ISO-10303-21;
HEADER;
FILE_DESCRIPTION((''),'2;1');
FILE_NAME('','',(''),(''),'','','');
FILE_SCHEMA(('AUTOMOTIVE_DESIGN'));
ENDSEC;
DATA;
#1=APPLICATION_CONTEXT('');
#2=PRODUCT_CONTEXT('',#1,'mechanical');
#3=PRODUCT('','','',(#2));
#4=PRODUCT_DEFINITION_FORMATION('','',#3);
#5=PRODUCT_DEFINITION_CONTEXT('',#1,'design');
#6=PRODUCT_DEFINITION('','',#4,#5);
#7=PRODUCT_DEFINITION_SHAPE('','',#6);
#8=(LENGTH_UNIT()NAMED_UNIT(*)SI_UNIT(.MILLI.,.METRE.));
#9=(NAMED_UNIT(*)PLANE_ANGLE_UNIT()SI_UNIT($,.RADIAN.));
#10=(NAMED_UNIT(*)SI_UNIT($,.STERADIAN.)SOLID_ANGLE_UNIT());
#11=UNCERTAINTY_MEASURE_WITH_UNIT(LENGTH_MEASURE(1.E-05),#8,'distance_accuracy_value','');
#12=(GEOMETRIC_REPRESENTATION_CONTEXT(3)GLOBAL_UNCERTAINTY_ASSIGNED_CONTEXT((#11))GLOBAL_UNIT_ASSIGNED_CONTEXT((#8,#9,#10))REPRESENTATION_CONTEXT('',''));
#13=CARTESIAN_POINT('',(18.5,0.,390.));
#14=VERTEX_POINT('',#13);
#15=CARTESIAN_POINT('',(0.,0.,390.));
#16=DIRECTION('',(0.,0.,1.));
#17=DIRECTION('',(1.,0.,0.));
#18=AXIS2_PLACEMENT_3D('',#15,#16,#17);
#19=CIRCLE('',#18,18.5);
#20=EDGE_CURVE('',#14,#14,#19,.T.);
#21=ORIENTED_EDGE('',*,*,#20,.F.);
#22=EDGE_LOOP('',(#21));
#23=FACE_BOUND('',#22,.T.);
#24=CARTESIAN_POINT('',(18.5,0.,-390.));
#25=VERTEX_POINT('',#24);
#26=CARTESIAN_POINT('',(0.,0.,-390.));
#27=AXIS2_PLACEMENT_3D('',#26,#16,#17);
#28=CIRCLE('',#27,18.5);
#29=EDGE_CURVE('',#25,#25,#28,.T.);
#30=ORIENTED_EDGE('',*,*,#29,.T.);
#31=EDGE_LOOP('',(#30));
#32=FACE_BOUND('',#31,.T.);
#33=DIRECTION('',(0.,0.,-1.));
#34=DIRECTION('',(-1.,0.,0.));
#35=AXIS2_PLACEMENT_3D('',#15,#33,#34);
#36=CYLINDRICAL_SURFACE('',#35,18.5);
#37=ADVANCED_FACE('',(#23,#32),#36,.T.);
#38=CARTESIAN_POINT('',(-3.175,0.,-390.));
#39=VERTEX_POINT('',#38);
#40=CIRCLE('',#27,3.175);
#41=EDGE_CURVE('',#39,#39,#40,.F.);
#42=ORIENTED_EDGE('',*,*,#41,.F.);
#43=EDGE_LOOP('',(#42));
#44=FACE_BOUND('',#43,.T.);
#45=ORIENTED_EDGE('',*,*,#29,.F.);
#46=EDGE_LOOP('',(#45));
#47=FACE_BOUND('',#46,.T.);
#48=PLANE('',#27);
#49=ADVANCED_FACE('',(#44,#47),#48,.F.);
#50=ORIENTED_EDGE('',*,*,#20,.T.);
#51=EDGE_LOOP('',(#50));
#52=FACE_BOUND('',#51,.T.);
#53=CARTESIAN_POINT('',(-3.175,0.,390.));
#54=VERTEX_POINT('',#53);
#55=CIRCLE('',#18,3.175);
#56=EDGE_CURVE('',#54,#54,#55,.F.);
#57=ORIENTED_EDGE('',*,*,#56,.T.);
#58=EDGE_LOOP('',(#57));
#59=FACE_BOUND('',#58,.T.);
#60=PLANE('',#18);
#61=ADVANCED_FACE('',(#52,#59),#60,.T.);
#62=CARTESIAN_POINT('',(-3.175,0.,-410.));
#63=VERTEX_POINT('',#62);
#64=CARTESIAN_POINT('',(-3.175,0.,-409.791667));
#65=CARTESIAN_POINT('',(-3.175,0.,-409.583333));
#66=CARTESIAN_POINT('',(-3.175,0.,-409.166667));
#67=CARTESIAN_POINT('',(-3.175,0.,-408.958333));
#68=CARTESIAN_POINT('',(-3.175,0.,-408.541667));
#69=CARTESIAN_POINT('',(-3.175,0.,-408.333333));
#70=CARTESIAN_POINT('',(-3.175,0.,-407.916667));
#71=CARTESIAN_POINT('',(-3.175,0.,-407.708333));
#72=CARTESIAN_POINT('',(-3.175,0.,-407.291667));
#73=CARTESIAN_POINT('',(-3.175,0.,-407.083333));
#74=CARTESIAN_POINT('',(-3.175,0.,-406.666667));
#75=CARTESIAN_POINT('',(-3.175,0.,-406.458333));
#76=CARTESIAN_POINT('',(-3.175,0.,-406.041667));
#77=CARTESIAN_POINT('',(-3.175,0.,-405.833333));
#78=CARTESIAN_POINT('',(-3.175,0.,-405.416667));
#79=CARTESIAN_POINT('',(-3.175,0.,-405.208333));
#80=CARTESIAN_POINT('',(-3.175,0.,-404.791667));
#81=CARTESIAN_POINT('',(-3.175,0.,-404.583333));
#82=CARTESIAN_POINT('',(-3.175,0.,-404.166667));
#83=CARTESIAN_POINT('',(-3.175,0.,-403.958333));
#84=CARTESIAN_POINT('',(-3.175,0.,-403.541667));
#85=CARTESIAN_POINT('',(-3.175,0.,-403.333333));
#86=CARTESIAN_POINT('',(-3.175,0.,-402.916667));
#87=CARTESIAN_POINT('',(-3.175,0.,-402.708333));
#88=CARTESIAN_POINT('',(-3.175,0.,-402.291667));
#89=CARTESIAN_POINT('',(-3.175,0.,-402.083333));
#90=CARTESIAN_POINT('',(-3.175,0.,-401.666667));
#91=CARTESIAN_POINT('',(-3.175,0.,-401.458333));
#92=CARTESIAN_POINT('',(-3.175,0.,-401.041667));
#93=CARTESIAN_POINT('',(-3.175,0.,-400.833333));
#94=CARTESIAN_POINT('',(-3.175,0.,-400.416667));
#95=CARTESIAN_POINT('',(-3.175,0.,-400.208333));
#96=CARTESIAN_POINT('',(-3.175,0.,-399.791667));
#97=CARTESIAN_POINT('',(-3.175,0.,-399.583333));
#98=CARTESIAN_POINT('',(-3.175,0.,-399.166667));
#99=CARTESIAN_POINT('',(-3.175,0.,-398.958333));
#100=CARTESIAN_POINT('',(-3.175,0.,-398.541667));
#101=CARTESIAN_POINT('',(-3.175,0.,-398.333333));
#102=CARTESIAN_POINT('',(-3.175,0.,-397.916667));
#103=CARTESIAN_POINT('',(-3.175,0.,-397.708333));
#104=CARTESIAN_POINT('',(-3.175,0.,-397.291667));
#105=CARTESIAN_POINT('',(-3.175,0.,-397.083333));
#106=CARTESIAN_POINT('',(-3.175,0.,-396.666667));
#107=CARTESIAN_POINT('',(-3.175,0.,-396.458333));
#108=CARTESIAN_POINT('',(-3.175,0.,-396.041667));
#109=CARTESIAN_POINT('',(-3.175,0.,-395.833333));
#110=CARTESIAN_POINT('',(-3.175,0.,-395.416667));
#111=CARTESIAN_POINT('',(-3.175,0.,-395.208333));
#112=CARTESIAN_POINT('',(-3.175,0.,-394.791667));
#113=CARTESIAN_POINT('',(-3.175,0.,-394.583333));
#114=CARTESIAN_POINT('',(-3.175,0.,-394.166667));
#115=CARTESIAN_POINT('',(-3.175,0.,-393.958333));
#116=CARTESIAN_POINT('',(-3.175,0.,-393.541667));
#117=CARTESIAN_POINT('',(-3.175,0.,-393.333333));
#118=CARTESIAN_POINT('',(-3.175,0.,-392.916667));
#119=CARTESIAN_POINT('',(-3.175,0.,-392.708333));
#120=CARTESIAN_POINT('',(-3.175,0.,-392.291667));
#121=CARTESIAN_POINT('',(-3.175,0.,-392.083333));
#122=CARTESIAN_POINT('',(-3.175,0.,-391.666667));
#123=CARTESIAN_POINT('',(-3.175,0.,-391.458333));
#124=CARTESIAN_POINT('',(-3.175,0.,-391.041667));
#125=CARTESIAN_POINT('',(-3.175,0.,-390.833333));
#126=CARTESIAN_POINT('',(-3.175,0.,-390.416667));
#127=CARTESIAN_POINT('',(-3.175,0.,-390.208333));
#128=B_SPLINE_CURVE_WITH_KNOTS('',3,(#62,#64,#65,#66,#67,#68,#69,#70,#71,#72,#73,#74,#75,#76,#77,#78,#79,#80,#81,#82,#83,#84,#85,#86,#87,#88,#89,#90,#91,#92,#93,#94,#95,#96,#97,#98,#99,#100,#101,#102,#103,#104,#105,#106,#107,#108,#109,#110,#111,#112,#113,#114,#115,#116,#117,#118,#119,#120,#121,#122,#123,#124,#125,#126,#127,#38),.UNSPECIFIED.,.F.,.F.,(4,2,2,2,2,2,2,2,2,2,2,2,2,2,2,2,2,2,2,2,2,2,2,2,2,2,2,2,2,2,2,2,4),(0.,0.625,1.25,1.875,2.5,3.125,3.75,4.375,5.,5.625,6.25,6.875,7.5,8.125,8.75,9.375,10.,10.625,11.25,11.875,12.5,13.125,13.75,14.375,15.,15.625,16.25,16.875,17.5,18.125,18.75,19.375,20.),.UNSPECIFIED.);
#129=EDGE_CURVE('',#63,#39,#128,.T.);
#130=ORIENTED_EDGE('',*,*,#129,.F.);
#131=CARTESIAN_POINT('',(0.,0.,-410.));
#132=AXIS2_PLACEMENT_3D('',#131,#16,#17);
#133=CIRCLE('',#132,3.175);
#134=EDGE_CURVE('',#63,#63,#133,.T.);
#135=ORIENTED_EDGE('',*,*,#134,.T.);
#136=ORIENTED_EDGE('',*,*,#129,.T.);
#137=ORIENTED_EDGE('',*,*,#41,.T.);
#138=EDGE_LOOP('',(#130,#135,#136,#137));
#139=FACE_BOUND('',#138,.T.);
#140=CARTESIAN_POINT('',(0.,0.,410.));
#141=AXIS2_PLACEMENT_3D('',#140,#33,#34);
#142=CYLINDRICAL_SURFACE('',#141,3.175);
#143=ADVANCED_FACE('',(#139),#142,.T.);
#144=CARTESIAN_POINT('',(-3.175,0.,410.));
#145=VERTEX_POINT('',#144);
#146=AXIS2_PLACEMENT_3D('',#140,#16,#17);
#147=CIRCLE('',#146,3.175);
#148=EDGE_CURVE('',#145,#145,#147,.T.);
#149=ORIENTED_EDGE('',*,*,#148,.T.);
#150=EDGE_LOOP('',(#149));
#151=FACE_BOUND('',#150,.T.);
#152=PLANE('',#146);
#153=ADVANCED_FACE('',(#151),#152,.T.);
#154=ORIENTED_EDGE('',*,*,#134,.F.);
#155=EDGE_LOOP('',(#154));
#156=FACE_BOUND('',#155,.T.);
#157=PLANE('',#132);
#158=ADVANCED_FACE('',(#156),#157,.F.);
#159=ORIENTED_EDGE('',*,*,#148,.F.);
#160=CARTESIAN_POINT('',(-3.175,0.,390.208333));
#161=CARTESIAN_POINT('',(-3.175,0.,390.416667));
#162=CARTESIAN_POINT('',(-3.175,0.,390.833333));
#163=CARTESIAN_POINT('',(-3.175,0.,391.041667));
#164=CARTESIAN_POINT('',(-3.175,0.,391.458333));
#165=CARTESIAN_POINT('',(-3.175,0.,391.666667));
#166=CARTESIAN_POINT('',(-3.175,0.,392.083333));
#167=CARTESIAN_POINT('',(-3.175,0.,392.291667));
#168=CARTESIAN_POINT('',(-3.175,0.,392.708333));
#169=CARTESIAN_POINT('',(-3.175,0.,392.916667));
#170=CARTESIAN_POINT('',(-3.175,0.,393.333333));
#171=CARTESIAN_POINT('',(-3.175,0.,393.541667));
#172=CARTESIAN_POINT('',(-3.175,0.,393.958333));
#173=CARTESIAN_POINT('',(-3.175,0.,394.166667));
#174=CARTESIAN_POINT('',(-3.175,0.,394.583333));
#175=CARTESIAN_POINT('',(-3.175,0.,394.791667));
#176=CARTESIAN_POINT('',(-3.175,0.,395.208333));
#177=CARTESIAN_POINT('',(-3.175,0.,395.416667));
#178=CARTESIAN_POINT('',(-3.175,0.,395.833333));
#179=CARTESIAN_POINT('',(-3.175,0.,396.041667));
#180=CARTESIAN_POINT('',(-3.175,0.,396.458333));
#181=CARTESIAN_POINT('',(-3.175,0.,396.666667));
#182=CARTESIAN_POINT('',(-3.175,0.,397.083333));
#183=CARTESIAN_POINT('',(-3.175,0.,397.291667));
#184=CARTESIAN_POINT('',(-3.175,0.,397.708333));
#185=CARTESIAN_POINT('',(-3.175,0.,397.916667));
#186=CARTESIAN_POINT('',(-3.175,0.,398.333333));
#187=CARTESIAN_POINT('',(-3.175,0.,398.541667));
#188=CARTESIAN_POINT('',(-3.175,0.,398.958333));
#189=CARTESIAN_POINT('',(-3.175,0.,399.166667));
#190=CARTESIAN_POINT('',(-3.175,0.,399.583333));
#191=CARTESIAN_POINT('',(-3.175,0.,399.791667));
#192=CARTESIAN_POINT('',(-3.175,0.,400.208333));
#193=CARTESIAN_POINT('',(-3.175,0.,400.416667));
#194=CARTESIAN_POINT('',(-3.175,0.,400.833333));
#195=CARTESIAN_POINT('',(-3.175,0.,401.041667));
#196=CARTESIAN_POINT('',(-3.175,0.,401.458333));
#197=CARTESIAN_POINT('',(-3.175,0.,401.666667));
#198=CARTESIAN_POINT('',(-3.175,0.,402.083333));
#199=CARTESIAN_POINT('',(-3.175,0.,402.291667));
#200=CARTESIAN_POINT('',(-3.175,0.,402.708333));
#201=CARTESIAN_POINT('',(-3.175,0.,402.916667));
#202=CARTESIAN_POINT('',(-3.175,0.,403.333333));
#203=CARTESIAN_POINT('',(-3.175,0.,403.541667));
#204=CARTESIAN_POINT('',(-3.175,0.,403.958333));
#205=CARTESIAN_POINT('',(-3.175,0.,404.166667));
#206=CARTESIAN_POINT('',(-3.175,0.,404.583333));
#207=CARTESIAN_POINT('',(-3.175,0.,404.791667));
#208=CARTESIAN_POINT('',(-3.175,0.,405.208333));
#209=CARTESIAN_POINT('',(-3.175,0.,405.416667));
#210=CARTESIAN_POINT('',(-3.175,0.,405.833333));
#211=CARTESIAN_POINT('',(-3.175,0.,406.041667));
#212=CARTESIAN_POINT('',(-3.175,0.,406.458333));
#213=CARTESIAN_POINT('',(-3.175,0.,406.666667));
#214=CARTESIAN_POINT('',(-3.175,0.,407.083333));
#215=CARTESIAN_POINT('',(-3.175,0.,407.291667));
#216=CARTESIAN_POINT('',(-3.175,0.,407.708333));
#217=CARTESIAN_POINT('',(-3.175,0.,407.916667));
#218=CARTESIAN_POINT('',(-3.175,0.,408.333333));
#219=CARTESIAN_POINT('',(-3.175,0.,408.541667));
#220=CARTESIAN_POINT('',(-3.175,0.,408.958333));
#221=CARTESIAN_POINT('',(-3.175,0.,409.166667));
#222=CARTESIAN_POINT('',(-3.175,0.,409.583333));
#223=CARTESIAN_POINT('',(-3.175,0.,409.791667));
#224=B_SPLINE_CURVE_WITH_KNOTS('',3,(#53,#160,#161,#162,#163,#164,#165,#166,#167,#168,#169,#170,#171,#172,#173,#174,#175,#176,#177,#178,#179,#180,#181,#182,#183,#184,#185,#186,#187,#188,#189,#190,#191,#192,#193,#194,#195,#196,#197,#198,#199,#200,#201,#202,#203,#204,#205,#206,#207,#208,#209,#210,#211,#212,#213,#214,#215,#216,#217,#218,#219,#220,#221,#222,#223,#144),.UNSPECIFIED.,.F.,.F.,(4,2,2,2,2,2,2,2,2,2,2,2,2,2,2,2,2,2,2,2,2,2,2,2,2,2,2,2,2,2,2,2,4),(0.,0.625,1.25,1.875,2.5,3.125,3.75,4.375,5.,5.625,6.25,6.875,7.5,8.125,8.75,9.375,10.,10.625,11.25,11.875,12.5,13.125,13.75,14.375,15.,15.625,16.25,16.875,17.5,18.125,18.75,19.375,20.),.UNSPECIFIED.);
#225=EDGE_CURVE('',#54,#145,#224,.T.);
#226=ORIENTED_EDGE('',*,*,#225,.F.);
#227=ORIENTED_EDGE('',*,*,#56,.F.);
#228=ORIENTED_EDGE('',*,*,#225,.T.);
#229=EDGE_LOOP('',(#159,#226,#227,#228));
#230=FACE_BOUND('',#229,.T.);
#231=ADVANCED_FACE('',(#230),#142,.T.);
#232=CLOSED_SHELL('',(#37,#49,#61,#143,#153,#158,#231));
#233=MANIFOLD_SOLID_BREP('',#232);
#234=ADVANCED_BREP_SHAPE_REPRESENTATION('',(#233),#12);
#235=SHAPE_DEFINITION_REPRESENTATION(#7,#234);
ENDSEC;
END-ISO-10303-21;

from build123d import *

# Parameters (mm, degrees)
SKETCH1_R           = 18.5
BOSS_EXTRUDE1_DEPTH = 390
SKETCH2_R           = 3.175
BOSS_EXTRUDE2_DEPTH = 410


with BuildPart() as part:
    # Sketch1 → Boss-Extrude1 (new, symmetric)
    with BuildSketch(Plane.XY):
        Circle(SKETCH1_R)
    extrude(amount=BOSS_EXTRUDE1_DEPTH, both=True)

    # Sketch2 → Boss-Extrude2 (add, symmetric)
    with BuildSketch(Plane.XY):
        with Locations(Location((0, 0, 0), (0, 0, 180))):
            Circle(SKETCH2_R)
    extrude(amount=BOSS_EXTRUDE2_DEPTH, both=True)


solid = part.part
